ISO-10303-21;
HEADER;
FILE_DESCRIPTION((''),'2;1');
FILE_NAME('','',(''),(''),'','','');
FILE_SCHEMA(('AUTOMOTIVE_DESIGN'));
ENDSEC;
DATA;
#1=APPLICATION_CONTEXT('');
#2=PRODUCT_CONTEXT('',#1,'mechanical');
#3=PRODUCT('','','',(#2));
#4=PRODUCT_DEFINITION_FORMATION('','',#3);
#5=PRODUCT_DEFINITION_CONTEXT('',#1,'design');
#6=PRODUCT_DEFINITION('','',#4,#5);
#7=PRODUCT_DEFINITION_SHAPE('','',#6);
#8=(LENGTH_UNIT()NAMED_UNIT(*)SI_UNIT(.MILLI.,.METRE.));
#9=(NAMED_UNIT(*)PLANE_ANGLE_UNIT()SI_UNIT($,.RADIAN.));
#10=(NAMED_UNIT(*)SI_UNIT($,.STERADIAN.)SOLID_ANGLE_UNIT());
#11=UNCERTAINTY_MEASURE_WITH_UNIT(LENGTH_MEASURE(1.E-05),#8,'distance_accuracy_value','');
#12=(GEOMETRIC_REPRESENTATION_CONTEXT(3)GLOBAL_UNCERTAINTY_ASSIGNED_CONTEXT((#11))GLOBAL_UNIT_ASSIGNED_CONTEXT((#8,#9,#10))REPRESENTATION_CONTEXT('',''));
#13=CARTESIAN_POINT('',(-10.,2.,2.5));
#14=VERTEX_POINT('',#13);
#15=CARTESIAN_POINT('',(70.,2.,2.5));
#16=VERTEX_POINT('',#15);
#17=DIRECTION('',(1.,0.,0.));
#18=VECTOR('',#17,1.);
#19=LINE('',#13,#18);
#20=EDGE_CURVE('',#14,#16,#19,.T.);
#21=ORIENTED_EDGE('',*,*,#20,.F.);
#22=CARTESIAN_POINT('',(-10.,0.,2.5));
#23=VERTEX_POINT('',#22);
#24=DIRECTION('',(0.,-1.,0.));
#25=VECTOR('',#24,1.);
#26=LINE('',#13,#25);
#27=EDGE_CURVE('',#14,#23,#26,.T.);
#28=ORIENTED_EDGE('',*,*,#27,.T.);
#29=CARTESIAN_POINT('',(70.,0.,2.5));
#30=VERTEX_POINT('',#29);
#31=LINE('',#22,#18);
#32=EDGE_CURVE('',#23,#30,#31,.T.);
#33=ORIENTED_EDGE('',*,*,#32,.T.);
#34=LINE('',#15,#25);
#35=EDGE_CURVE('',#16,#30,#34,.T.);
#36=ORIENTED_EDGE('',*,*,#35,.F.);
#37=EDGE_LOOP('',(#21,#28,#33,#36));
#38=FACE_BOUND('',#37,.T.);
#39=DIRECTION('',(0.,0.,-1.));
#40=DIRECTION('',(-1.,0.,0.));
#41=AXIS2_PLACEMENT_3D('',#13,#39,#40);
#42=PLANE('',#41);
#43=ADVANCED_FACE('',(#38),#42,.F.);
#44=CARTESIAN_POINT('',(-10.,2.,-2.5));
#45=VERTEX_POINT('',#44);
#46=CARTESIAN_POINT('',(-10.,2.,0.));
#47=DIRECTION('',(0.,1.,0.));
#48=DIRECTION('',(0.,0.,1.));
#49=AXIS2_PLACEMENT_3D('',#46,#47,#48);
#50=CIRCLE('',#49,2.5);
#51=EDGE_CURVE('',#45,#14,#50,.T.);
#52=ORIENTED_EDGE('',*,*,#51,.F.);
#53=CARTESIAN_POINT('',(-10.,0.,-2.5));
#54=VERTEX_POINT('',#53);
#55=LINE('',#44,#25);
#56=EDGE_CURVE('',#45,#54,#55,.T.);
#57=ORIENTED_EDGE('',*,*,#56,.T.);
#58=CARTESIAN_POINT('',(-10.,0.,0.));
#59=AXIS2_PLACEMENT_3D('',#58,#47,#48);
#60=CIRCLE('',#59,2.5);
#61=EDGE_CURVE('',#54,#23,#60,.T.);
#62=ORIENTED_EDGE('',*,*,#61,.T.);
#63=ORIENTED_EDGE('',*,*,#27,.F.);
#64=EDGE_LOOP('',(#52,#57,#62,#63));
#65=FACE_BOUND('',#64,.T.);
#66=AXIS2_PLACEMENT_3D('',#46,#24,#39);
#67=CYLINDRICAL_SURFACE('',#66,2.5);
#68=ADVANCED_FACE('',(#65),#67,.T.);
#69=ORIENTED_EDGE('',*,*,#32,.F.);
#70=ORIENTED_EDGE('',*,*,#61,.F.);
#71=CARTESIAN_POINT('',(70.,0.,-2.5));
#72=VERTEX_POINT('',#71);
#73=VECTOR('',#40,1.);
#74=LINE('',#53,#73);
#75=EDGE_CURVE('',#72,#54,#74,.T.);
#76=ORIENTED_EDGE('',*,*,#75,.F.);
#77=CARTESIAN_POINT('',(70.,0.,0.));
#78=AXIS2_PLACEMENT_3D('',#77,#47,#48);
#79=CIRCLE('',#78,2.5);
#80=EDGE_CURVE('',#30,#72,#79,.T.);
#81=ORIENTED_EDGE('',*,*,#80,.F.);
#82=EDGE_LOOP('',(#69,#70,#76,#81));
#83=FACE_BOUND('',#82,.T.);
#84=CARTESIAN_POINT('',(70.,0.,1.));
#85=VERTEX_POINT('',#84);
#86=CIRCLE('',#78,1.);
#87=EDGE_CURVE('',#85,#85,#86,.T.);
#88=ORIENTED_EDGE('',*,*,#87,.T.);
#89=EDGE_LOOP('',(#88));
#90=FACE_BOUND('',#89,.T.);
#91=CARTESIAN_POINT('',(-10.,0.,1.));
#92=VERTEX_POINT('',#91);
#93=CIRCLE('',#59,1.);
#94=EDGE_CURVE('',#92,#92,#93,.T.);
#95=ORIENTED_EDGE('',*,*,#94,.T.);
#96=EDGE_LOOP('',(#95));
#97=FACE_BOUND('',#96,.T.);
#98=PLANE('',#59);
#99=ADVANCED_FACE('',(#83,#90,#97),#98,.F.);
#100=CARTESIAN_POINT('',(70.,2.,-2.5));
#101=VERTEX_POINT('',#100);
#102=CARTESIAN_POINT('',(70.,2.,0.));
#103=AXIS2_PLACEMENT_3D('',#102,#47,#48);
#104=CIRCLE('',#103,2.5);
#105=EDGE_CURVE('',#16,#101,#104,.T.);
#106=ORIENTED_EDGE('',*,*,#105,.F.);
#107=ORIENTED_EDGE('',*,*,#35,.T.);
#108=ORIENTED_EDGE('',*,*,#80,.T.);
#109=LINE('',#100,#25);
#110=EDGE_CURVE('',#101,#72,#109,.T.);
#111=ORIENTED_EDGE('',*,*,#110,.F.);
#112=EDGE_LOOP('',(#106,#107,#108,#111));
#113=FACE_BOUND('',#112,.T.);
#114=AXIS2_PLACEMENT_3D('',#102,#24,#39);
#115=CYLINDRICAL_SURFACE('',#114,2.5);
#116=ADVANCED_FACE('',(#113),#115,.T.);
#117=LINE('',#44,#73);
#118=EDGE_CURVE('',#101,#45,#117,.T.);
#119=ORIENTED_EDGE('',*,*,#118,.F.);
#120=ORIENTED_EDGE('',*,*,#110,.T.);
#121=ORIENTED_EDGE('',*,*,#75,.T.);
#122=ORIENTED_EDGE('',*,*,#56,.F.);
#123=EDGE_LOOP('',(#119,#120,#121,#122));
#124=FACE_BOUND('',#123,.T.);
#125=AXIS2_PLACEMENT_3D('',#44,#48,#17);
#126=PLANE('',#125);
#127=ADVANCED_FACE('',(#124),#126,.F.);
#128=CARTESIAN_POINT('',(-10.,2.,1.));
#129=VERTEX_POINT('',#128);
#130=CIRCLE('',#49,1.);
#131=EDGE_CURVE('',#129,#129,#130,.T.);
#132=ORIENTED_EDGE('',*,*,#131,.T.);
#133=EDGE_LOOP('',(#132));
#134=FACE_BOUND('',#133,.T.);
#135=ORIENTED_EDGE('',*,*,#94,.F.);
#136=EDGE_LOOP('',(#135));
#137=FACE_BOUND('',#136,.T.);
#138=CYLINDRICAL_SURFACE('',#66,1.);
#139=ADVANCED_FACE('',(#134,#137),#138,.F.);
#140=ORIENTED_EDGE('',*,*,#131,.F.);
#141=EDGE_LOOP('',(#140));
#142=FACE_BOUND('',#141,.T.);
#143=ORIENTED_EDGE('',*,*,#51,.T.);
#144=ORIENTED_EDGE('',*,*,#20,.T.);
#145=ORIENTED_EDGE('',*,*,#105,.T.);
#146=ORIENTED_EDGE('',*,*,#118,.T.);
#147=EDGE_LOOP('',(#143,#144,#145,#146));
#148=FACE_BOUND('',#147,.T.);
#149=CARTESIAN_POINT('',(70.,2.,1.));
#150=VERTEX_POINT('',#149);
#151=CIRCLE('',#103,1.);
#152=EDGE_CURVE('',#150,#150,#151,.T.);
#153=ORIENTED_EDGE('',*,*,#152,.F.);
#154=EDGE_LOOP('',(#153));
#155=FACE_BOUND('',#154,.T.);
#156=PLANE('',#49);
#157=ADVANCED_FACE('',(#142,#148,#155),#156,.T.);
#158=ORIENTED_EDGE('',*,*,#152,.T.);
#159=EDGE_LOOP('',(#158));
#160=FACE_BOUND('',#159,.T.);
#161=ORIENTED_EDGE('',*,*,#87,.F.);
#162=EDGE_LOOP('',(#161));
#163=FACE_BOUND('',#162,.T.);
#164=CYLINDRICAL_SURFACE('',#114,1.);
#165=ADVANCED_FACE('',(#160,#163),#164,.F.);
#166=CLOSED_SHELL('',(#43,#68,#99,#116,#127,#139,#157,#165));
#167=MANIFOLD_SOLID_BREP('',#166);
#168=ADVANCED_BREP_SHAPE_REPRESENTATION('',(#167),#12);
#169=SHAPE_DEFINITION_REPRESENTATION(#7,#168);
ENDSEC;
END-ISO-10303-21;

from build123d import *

# Parameters (mm, degrees)
SKETCH1_R           = 1
BOSS_EXTRUDE1_DEPTH = 2


with BuildPart() as part:
    # Sketch1 → Boss-Extrude1 (new body)
    with BuildSketch(Plane(origin=(0, 0, 0), x_dir=(1, 0, 0), z_dir=(0, 1, 0))):
        with BuildLine():
            Line((-10, 2.5), (70, 2.5))
            ThreePointArc((70, 2.5), (72.5, 0), (70, -2.5))
            Line((70, -2.5), (-10, -2.5))
            ThreePointArc((-10, -2.5), (-12.5, 0), (-10, 2.5))
        make_face()
        with Locations(Location((70, 0, 0), (0, 0, 270))):
            Circle(SKETCH1_R, mode=Mode.SUBTRACT)
        with Locations(Location((-10, 0, 0), (0, 0, 270))):
            Circle(SKETCH1_R, mode=Mode.SUBTRACT)
    extrude(amount=BOSS_EXTRUDE1_DEPTH)


solid = part.part
